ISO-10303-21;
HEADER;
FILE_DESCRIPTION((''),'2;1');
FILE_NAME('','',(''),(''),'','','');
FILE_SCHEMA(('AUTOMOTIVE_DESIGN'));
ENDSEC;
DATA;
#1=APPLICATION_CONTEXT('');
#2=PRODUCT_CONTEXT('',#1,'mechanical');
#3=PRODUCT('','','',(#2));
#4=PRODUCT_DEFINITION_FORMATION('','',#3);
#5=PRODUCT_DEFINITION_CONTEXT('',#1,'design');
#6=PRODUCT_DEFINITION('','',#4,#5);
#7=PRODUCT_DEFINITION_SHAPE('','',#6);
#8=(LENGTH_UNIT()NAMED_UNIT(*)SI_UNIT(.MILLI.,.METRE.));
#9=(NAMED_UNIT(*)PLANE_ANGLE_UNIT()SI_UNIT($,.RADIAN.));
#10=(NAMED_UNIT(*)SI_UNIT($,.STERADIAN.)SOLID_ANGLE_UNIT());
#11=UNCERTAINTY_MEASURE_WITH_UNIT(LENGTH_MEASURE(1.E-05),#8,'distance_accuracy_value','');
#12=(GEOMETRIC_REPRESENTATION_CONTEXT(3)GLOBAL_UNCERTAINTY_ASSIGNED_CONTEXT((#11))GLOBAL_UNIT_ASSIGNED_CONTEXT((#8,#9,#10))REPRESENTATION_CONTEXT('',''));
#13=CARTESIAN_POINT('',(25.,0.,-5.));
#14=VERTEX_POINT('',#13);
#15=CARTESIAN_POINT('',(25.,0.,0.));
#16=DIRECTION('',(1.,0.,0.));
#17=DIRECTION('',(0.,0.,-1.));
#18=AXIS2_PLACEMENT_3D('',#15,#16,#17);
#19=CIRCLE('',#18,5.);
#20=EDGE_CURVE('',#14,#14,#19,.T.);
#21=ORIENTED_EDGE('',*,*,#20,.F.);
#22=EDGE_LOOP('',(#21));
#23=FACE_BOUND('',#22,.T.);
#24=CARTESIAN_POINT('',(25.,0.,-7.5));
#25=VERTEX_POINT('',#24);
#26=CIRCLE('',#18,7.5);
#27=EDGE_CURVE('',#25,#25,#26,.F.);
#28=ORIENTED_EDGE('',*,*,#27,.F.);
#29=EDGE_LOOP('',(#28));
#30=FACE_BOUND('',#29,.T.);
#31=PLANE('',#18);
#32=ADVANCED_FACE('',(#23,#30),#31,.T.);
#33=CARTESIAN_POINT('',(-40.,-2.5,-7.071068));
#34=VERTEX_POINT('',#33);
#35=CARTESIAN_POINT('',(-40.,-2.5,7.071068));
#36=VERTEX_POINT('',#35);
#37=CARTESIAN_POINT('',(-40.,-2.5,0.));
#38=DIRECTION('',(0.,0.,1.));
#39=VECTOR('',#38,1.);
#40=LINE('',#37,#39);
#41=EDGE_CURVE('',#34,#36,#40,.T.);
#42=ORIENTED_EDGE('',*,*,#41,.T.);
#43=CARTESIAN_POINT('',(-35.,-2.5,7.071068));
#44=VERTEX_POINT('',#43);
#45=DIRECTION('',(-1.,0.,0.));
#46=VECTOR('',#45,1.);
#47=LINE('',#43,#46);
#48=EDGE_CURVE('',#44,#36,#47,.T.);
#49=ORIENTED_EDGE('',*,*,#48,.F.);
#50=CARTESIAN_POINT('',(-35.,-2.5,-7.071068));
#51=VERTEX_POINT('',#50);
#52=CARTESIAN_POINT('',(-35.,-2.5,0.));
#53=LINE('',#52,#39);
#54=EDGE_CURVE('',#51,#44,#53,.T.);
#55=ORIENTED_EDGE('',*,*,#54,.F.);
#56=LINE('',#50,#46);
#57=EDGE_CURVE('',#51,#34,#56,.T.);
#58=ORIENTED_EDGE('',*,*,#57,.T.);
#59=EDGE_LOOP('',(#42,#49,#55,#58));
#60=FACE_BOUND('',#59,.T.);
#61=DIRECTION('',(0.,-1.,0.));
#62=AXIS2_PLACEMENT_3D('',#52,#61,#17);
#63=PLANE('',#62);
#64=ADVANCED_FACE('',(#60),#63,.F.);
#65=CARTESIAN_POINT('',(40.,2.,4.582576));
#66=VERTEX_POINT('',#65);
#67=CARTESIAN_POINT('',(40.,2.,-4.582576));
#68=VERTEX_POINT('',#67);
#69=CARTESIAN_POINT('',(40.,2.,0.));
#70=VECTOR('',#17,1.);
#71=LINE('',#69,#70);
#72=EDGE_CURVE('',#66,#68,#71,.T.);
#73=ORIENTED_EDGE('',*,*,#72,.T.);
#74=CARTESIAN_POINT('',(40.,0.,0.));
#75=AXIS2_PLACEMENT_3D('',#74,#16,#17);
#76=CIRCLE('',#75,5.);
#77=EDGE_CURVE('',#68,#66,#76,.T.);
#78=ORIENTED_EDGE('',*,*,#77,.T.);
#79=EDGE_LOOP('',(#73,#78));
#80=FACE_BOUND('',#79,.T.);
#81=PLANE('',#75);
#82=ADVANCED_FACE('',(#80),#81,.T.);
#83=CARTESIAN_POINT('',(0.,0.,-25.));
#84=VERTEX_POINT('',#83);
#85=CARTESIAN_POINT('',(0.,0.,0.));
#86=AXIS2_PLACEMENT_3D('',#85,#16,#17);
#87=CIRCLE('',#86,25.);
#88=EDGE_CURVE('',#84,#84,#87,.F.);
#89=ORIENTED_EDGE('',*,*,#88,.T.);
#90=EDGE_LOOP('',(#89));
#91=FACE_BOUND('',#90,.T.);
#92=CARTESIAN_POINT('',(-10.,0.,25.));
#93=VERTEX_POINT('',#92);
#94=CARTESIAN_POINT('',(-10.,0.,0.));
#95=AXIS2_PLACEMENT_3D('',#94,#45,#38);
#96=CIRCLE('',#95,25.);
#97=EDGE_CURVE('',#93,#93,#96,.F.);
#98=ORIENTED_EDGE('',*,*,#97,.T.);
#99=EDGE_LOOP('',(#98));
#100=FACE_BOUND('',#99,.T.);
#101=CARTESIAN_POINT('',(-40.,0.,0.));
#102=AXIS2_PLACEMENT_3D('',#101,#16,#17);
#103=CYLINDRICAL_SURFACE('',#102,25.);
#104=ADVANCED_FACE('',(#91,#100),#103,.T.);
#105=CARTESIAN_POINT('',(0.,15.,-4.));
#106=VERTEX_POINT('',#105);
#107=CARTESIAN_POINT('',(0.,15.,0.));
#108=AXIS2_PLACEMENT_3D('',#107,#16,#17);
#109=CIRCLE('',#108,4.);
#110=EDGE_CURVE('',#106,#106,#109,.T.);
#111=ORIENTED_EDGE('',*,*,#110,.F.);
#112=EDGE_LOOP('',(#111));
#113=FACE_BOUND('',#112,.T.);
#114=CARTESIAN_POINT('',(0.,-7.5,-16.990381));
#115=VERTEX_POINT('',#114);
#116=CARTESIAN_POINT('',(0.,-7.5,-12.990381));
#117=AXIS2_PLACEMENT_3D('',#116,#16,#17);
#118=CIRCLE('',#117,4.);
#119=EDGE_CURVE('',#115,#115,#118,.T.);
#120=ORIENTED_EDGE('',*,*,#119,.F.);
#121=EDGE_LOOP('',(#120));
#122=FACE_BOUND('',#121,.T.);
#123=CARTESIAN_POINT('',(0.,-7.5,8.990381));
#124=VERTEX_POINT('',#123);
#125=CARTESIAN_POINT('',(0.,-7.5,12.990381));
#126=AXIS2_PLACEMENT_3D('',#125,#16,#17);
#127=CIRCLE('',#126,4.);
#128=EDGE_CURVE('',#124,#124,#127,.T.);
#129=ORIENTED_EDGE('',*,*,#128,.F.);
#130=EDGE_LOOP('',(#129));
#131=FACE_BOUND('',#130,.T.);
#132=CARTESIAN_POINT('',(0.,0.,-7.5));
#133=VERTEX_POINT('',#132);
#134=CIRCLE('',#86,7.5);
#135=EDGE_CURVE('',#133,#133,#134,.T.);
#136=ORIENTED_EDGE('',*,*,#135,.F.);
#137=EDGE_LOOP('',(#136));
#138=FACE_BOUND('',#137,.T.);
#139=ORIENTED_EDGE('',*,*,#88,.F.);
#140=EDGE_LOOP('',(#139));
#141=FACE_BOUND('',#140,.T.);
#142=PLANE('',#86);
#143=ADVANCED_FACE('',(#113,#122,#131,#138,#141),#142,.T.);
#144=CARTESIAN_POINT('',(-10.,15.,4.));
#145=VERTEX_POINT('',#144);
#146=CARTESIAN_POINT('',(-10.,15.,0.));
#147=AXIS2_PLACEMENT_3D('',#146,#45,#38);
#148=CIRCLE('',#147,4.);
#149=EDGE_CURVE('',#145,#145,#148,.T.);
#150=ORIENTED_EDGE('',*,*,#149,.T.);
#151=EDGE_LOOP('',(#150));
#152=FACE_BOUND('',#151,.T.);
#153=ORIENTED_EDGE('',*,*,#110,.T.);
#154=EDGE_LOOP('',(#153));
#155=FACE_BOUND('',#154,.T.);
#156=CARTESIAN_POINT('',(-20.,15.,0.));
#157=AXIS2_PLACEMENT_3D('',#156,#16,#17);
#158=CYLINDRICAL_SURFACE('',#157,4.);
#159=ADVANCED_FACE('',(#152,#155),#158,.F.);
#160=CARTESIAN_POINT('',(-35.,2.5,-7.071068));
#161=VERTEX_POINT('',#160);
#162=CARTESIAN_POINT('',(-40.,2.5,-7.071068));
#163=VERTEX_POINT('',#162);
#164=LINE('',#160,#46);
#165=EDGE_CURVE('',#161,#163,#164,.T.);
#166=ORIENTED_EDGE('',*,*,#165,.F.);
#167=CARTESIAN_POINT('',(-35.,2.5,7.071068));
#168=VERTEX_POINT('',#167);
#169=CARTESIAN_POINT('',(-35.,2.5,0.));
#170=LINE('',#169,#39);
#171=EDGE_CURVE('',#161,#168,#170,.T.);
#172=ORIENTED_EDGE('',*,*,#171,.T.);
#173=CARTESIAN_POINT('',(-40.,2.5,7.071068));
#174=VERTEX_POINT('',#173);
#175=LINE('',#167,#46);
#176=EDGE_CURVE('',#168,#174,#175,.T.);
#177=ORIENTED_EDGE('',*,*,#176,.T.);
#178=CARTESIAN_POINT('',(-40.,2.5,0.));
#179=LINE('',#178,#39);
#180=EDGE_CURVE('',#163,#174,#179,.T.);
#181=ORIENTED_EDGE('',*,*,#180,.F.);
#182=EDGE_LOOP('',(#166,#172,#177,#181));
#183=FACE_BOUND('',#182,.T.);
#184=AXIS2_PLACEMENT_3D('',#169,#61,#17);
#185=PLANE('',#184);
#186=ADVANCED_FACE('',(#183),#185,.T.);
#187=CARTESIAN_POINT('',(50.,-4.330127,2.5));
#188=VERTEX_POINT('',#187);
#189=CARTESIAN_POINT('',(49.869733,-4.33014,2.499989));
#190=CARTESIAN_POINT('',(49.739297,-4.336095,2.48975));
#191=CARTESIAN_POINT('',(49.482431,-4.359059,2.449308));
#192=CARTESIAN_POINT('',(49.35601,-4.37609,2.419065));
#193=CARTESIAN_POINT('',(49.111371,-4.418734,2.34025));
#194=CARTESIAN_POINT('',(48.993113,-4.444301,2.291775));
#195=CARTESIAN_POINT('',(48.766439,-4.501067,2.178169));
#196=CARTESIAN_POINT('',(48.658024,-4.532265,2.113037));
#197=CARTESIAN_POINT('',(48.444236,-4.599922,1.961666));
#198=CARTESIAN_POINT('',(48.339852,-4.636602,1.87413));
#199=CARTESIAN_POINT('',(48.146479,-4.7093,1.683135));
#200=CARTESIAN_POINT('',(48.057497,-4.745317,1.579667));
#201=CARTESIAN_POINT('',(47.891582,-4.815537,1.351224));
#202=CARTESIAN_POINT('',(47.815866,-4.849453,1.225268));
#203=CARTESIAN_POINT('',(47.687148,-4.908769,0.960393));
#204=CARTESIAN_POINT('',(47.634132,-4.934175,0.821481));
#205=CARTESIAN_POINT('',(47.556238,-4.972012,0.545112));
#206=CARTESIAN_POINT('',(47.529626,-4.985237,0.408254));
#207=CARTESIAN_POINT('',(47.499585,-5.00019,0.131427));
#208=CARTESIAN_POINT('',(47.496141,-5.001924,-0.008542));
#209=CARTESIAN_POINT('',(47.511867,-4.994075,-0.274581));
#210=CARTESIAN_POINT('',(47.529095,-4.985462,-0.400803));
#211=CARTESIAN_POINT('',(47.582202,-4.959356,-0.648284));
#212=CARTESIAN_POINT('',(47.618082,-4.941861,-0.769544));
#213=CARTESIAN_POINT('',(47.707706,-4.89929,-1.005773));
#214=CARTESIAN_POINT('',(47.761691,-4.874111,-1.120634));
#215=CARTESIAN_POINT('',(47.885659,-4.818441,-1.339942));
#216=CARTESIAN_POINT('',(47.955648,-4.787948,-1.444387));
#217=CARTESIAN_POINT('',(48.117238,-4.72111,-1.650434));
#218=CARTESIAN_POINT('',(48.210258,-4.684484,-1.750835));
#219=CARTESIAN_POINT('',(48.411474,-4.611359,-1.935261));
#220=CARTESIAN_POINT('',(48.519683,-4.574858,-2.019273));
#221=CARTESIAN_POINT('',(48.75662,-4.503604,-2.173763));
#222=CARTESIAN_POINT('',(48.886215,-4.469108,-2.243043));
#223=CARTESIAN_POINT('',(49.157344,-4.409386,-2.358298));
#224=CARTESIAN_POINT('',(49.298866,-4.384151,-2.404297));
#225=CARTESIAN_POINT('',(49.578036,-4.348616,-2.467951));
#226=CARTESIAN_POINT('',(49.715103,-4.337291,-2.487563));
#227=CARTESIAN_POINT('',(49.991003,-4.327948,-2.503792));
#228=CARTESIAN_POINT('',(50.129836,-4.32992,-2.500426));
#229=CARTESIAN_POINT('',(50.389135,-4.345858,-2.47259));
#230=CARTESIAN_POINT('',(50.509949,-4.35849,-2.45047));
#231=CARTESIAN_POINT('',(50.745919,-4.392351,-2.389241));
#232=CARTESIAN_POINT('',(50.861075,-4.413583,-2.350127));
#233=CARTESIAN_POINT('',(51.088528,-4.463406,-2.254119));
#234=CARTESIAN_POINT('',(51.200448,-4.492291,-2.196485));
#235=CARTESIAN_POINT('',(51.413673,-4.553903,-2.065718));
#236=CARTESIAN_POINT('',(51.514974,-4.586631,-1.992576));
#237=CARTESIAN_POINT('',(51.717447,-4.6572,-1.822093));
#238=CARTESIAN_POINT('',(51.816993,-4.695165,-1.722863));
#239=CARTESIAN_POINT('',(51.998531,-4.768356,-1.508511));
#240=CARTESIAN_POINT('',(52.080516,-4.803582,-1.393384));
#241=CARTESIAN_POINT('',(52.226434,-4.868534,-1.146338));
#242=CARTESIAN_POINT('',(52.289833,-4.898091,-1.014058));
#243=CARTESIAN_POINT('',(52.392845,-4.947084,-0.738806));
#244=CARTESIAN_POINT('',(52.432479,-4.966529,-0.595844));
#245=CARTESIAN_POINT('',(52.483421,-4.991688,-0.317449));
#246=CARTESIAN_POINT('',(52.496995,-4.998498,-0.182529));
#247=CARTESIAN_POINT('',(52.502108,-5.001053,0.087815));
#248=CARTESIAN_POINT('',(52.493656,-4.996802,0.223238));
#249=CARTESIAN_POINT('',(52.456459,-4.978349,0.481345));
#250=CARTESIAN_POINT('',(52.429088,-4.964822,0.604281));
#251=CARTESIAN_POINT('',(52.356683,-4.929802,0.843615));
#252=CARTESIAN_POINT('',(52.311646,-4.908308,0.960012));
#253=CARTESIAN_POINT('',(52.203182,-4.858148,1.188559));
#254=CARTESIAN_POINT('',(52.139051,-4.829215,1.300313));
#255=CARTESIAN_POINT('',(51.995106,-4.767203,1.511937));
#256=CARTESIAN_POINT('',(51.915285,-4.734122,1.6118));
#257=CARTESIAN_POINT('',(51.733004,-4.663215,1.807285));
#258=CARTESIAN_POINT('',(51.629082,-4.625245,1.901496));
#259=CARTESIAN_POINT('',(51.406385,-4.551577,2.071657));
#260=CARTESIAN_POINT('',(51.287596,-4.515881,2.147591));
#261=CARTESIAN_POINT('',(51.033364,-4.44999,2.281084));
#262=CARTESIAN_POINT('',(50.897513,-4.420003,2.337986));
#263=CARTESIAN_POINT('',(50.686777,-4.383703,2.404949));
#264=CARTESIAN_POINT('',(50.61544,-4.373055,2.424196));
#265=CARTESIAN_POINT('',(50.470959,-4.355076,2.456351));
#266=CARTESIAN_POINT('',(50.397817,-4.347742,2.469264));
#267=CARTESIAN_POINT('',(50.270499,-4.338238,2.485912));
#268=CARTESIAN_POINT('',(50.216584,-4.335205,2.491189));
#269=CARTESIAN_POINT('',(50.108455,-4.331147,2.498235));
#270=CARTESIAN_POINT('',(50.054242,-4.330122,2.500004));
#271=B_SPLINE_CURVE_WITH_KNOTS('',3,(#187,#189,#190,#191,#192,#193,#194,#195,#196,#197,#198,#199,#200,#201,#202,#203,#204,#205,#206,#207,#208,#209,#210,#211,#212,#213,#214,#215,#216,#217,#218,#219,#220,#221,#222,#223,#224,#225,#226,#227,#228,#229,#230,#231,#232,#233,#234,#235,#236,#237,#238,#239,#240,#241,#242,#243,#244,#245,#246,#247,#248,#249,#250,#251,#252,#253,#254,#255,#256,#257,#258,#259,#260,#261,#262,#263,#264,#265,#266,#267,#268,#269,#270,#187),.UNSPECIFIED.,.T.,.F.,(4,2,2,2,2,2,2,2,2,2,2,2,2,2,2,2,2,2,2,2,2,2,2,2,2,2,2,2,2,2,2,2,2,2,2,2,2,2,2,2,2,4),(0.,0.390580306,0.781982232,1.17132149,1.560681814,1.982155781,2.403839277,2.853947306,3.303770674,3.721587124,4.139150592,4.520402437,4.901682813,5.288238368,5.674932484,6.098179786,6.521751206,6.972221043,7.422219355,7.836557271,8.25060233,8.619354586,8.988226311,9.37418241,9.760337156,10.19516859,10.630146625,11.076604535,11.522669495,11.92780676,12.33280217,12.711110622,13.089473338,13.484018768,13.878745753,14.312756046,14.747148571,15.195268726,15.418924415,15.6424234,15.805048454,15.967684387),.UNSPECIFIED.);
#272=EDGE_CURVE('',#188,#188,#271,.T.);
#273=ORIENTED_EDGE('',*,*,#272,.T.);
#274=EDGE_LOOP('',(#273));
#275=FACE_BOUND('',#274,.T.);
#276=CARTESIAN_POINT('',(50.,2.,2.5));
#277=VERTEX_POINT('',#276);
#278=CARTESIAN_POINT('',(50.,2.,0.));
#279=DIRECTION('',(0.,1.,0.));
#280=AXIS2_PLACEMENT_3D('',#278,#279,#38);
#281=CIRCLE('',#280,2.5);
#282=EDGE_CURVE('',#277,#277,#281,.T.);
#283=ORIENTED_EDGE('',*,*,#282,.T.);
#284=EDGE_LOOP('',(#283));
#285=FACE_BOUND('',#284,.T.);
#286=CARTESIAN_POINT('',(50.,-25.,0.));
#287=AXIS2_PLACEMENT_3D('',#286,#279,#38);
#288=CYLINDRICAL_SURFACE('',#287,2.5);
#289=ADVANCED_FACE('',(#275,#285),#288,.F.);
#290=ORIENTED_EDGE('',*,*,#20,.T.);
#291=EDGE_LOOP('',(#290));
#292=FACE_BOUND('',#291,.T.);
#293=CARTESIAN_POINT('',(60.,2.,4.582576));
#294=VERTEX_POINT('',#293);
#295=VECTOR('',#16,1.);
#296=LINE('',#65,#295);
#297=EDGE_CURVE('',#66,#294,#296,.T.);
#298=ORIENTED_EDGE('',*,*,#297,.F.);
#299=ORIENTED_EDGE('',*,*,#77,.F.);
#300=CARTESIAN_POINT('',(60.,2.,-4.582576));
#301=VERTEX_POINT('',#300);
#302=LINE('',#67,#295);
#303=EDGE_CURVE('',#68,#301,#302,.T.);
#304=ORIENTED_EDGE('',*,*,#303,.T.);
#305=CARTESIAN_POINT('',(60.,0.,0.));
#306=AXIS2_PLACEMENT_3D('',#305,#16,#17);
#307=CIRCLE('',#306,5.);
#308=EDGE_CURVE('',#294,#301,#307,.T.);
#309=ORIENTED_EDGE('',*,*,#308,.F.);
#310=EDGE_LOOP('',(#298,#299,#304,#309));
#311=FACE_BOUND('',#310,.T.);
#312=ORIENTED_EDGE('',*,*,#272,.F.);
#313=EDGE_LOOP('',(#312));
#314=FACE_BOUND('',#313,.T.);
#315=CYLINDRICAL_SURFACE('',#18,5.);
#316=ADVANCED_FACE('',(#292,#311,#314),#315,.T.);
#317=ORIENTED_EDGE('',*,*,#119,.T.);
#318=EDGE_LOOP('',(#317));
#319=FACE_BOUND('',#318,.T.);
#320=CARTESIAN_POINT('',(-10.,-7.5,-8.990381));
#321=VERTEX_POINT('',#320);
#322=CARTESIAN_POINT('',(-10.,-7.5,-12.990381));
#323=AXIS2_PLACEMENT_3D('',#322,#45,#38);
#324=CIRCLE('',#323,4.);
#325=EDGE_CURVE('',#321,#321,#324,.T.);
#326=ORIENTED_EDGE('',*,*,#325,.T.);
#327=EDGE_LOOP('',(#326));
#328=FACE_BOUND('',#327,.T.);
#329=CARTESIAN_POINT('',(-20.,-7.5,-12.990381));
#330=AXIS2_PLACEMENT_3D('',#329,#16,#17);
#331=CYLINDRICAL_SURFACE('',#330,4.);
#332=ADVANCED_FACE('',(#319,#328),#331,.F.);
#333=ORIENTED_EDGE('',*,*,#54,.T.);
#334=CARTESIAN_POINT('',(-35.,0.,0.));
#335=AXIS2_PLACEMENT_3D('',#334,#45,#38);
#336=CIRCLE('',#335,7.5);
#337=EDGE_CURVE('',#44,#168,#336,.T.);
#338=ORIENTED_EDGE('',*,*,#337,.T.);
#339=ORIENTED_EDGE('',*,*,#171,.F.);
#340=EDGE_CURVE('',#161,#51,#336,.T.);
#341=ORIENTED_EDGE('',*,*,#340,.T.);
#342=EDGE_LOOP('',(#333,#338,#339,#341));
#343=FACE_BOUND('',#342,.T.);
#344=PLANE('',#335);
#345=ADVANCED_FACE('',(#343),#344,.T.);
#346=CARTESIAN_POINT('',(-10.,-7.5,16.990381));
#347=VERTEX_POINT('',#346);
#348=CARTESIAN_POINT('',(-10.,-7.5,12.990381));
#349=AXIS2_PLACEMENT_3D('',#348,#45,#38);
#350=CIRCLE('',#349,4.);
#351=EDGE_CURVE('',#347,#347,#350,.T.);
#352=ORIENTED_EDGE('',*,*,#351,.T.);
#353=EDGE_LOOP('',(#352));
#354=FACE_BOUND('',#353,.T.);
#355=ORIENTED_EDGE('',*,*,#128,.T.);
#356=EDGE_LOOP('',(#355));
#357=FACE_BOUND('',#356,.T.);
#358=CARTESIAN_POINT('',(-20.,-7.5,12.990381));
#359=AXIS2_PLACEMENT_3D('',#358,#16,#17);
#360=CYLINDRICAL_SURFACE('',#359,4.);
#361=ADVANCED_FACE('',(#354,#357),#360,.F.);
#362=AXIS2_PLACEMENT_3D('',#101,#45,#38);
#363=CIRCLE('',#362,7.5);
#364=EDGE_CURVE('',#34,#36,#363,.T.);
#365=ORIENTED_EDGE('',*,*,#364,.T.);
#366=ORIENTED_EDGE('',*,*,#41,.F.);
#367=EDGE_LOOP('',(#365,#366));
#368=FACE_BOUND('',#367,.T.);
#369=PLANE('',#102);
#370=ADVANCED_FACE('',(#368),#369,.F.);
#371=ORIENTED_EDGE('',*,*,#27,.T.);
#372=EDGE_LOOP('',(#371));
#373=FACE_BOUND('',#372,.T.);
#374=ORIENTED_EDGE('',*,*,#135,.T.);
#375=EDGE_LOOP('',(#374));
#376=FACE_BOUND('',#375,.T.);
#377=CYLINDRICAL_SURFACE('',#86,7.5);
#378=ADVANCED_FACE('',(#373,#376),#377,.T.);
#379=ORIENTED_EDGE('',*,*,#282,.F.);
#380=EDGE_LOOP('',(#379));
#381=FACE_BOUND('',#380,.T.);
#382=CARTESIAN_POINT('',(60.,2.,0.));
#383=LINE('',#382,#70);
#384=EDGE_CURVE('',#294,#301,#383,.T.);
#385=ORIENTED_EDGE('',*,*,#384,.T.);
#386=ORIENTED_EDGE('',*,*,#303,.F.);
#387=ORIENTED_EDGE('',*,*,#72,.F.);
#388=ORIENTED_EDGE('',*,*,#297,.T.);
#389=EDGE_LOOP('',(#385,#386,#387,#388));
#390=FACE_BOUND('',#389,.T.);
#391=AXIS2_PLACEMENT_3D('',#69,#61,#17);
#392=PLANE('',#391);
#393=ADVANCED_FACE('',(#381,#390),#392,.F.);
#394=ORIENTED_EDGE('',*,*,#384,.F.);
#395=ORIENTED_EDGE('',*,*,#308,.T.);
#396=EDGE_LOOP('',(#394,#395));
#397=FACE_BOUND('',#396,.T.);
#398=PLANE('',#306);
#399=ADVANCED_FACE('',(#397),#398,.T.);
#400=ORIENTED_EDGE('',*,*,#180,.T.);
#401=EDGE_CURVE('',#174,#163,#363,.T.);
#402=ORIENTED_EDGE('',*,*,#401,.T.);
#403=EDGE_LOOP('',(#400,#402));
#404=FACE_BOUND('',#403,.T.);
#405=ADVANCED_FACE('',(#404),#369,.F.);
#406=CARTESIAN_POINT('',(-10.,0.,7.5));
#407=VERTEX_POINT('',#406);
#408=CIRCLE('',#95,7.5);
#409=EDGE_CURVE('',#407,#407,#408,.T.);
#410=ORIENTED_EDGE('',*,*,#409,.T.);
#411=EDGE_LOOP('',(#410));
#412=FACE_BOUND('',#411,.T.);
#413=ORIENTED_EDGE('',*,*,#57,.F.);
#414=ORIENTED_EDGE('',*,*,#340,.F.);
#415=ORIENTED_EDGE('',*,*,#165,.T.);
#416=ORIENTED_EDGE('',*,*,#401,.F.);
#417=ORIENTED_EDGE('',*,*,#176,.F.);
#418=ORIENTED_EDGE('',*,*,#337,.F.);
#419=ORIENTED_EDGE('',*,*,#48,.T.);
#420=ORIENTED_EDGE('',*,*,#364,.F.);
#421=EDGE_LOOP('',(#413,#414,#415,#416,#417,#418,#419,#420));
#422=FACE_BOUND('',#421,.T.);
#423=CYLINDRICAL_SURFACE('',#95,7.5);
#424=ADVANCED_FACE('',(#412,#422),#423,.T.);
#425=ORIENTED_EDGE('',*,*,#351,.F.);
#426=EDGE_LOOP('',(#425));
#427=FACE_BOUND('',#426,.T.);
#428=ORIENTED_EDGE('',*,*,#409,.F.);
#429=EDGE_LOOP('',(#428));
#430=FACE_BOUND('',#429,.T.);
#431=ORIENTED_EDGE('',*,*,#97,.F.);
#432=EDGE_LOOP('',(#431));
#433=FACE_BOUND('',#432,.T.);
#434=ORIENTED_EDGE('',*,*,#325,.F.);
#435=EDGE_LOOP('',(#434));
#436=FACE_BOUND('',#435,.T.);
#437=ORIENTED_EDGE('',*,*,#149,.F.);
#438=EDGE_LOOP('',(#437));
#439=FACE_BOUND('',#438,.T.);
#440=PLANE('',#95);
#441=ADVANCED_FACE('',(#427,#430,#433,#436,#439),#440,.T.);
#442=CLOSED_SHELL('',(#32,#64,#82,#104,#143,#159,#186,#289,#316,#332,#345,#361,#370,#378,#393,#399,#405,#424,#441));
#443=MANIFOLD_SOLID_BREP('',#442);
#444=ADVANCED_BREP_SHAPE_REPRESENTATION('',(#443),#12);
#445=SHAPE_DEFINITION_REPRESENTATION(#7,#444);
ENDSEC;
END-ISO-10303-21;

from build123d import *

# Parameters (mm, degrees)
BOSS_EXTRUDE3_DEPTH      = 60
BOSS_EXTRUDE3_DEPTH_BACK = 40
SKETCH1_R                = 25
SKETCH2_OUTSIDE_W        = 76.494
SKETCH2_OUTSIDE_H        = 76.494
SKETCH2_OUTSIDE_R        = 7.5
CUT_EXTRUDE3_DEPTH       = 60
SKETCH4_OUTSIDE_W        = 76.494
SKETCH4_OUTSIDE_H        = 76.494
SKETCH4_OUTSIDE_R        = 7.5
CUT_EXTRUDE4_DEPTH       = 30
SKETCH5_OUTSIDE_W        = 76.494
SKETCH5_OUTSIDE_H        = 76.494
SKETCH5_OUTSIDE_R        = 5
CUT_EXTRUDE5_DEPTH       = 35
CUT_EXTRUDE6_DEPTH       = 20
SKETCH7_R                = 2.5
CUT_EXTRUDE7_DEPTH       = 71.384657419
SKETCH8_R                = 4
CUT_EXTRUDE8_DEPTH       = 20
CUT_EXTRUDE10_DEPTH      = 5


with BuildPart() as part:
    # Sketch1 → Boss-Extrude3 (new, two sides: drawn at the far end of the back side and taken through both)
    with BuildSketch(Plane(origin=(0, 0, 0), x_dir=(0, 0, -1), z_dir=(1, 0, 0)).offset(-BOSS_EXTRUDE3_DEPTH_BACK)):
        Circle(SKETCH1_R)
    extrude(amount=BOSS_EXTRUDE3_DEPTH + BOSS_EXTRUDE3_DEPTH_BACK)

    # Sketch2 outside → Cut-Extrude3 (cut)
    with BuildSketch(Plane(origin=(60, 0, 0), x_dir=(0, 0, -1), z_dir=(1, 0, 0))):
        Rectangle(SKETCH2_OUTSIDE_W, SKETCH2_OUTSIDE_H)
        Circle(SKETCH2_OUTSIDE_R, mode=Mode.SUBTRACT)
    extrude(amount=-CUT_EXTRUDE3_DEPTH, mode=Mode.SUBTRACT)

    # Sketch4 outside → Cut-Extrude4 (cut)
    with BuildSketch(Plane.ZY.offset(40)):
        Rectangle(SKETCH4_OUTSIDE_W, SKETCH4_OUTSIDE_H)
        with Locations(Location((0, 0, 0), (0, 0, 180))):
            Circle(SKETCH4_OUTSIDE_R, mode=Mode.SUBTRACT)
    extrude(amount=-CUT_EXTRUDE4_DEPTH, mode=Mode.SUBTRACT)

    # Sketch5 outside → Cut-Extrude5 (cut)
    with BuildSketch(Plane(origin=(60, 0, 0), x_dir=(0, 0, -1), z_dir=(1, 0, 0))):
        Rectangle(SKETCH5_OUTSIDE_W, SKETCH5_OUTSIDE_H)
        Circle(SKETCH5_OUTSIDE_R, mode=Mode.SUBTRACT)
    extrude(amount=-CUT_EXTRUDE5_DEPTH, mode=Mode.SUBTRACT)

    # Sketch6 → Cut-Extrude6 (cut)
    with BuildSketch(Plane(origin=(60, 0, 0), x_dir=(0, 0, -1), z_dir=(1, 0, 0))):
        with BuildLine():
            Line((-4.582575695, 2), (4.582575695, 2))
            ThreePointArc((4.582575695, 2), (0, 5), (-4.582575695, 2))
        make_face()
    extrude(amount=-CUT_EXTRUDE6_DEPTH, mode=Mode.SUBTRACT)

    # Sketch7 → Cut-Extrude7 (cut, through all)
    with BuildSketch(Plane(origin=(0, 2, 0), x_dir=(1, 0, 0), z_dir=(0, 1, 0))):
        with Locations(Location((50, 0, 0), (0, 0, 270))):
            Circle(SKETCH7_R)
    extrude(amount=-CUT_EXTRUDE7_DEPTH, mode=Mode.SUBTRACT)

    # Sketch8 → Cut-Extrude8 (cut)
    with BuildSketch(Plane(origin=(0, 0, 0), x_dir=(0, 0, -1), z_dir=(1, 0, 0))):
        with Locations((0, 15)):
            Circle(SKETCH8_R)
        with Locations((12.990381057, -7.5)):
            Circle(SKETCH8_R)
        with Locations((-12.990381057, -7.5)):
            Circle(SKETCH8_R)
    extrude(amount=-CUT_EXTRUDE8_DEPTH, mode=Mode.SUBTRACT)

    # Sketch11 → Cut-Extrude10 (cut)
    with BuildSketch(Plane.ZY.offset(40)):
        with BuildLine():
            Line((7.071067812, 2.5), (-7.071067812, 2.5))
            ThreePointArc((-7.071067812, 2.5), (-7.5, 0), (-7.071067812, -2.5))
            Line((-7.071067812, -2.5), (7.071067812, -2.5))
            ThreePointArc((7.071067812, -2.5), (7.391989197, -1.26826484), (7.5, 0))
            ThreePointArc((7.5, 0), (7.391989197, 1.26826484), (7.071067812, 2.5))
        make_face()
    extrude(amount=-CUT_EXTRUDE10_DEPTH, mode=Mode.SUBTRACT)


solid = part.part
